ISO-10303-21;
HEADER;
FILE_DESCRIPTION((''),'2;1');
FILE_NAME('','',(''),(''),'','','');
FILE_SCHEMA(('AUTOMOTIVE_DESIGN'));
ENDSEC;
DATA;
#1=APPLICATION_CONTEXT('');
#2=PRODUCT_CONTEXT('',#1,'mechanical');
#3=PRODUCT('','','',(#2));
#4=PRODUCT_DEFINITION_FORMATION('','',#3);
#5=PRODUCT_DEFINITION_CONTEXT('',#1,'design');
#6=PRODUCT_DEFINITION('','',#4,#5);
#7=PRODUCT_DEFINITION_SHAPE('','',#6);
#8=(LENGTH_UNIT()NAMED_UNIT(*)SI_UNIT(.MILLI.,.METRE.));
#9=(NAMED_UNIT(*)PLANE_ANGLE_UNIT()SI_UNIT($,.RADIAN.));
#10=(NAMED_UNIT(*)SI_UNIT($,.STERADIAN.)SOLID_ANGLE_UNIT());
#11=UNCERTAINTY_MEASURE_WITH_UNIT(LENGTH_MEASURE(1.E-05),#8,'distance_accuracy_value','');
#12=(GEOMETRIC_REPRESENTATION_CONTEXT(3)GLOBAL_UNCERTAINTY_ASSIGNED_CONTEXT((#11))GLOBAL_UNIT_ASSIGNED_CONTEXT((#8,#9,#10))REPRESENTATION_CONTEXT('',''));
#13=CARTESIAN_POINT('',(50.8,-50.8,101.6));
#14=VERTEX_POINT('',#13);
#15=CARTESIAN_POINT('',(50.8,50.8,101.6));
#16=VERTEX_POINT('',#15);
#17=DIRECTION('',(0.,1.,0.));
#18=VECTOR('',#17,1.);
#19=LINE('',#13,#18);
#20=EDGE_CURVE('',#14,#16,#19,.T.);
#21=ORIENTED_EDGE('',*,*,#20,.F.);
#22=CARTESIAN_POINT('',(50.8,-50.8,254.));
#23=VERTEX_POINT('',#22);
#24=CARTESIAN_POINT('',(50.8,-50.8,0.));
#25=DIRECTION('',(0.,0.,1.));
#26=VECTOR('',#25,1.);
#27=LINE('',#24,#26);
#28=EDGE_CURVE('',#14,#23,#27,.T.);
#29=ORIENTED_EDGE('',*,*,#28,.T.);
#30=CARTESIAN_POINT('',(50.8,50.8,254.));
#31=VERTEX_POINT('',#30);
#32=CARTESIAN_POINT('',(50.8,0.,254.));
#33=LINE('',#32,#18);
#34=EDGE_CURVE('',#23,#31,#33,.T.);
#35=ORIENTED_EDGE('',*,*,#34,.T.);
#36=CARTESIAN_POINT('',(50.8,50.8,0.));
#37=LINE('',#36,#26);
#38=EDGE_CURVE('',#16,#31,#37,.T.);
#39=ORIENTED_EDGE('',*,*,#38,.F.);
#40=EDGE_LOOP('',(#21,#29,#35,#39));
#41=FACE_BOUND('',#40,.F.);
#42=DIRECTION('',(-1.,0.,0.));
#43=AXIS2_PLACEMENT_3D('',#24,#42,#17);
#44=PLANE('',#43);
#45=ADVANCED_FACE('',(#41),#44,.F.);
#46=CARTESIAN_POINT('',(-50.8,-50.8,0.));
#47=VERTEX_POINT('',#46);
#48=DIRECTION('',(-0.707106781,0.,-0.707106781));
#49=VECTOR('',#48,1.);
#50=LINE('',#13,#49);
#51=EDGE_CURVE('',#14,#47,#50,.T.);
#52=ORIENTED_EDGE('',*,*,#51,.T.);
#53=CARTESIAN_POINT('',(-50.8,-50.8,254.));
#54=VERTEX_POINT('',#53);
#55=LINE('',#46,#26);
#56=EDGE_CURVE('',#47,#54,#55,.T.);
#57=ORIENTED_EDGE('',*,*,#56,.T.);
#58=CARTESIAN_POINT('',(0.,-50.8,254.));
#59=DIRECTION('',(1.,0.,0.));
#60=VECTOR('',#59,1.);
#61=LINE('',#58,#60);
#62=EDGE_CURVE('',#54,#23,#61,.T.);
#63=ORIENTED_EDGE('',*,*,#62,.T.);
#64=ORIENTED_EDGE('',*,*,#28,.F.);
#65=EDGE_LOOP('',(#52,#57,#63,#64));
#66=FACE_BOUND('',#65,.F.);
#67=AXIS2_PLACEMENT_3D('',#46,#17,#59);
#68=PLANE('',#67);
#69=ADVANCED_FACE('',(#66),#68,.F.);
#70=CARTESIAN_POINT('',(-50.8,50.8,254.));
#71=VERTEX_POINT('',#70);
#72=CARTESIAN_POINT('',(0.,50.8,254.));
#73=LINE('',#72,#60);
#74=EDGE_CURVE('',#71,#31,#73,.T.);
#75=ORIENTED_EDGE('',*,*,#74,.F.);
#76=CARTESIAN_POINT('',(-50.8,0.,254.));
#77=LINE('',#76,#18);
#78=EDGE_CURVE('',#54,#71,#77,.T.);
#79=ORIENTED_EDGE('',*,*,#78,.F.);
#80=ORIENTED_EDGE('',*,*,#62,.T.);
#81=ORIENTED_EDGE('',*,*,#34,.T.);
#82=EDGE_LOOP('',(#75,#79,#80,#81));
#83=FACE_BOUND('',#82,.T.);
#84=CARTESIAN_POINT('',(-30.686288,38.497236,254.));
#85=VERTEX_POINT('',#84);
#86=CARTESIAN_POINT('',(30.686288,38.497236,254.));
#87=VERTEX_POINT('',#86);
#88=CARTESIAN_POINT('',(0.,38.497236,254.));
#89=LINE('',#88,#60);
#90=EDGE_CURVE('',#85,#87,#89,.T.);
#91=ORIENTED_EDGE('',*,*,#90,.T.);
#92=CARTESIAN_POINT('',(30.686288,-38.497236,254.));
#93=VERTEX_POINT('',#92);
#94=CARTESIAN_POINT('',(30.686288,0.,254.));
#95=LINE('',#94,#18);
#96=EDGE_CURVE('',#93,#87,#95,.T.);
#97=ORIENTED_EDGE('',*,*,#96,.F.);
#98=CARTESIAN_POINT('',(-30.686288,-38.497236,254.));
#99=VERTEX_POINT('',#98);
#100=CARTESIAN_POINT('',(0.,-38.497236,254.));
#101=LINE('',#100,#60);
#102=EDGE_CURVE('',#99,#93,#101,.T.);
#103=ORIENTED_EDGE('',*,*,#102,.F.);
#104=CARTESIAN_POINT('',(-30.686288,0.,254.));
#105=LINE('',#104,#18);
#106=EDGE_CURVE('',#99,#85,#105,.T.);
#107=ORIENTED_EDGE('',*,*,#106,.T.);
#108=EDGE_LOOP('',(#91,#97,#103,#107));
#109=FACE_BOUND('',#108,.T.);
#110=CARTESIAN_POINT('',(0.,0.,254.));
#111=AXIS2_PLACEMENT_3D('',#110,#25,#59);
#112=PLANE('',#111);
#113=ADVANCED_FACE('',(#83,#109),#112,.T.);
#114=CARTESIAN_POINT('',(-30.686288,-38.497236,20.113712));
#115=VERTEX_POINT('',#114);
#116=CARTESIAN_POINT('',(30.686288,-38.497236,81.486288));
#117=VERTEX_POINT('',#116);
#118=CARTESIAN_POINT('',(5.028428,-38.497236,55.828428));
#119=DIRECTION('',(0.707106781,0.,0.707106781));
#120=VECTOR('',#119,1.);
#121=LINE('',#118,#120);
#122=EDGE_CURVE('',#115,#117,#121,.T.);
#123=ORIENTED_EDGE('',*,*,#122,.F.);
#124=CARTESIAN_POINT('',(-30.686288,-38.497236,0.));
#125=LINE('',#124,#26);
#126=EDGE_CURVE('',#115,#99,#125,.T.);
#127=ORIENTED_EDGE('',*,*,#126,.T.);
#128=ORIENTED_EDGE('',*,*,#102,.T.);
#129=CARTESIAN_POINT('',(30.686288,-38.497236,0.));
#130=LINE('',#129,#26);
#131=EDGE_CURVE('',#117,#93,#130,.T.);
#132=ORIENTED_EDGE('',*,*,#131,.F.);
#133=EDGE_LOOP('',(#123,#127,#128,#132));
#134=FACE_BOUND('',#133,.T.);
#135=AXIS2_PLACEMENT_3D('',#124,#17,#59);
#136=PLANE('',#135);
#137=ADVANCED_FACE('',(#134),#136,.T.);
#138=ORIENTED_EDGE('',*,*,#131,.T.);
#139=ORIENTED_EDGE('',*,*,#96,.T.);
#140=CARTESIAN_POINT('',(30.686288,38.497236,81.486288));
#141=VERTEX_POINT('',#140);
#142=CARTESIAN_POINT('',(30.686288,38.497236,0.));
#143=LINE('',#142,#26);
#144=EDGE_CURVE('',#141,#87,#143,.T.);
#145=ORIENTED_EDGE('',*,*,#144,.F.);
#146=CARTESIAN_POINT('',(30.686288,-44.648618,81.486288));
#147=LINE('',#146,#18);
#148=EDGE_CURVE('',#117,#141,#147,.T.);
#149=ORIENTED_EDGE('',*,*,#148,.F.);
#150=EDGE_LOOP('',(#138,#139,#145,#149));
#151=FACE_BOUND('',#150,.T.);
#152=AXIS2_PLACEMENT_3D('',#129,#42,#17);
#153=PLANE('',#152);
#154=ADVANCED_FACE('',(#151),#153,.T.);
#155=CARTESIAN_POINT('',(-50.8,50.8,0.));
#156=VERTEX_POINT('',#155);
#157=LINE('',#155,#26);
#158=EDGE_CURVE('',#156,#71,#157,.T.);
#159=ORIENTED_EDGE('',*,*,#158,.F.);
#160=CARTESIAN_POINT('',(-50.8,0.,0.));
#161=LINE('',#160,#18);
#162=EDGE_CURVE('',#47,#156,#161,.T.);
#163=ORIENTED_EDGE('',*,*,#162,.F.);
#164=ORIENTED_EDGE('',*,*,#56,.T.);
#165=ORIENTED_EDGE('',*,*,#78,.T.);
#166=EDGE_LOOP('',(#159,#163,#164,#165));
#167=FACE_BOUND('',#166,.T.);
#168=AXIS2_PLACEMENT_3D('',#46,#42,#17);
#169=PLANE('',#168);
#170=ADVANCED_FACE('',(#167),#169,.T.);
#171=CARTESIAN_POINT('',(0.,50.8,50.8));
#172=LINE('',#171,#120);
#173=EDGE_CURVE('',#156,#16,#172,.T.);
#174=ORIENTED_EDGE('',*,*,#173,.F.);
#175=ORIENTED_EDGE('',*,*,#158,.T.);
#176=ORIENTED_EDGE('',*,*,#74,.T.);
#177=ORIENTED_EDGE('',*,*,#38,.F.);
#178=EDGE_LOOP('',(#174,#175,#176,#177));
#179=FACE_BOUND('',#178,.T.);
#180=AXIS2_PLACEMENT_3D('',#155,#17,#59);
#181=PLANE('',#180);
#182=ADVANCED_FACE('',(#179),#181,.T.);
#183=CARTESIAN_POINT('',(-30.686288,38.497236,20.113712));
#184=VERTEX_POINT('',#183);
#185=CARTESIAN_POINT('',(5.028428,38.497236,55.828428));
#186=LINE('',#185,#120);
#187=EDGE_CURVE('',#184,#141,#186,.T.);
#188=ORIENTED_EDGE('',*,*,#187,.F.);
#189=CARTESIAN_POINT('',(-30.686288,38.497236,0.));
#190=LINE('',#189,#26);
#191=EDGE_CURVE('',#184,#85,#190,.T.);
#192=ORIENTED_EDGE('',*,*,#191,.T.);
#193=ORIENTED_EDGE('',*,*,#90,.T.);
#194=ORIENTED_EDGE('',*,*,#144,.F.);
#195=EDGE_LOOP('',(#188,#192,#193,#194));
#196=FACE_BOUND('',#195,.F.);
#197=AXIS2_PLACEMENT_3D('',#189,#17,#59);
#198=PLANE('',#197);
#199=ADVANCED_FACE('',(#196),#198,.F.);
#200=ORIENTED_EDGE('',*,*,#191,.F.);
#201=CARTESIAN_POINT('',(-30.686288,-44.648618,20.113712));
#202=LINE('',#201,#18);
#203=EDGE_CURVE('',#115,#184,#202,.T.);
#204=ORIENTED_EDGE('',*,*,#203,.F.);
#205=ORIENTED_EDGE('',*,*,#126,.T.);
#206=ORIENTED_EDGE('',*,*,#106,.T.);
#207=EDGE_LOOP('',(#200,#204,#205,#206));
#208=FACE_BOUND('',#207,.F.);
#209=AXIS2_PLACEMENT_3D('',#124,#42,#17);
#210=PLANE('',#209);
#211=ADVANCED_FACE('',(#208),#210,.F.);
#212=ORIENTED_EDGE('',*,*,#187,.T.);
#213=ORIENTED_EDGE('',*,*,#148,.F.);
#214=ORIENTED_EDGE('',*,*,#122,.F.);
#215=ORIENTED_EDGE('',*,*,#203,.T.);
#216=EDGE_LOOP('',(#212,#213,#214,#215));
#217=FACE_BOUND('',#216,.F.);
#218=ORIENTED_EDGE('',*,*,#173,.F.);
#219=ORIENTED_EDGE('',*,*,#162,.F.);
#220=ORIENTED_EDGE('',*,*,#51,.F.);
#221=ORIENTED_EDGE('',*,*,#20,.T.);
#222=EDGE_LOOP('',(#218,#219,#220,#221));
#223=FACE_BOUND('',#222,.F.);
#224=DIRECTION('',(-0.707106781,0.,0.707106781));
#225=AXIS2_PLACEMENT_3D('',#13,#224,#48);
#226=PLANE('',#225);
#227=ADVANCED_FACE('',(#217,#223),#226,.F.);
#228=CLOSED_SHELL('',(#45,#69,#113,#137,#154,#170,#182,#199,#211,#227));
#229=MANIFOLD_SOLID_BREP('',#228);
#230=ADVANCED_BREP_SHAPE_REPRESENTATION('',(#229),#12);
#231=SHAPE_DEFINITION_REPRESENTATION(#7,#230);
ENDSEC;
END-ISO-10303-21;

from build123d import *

# Parameters (mm, degrees)
F0_W      = 50.8
F0_H      = 50.8
F0_W_2    = 47.625
F0_H_2    = 47.625
F1_DEPTH  = 508
F3_DEPTH  = 50.801
F5_DEPTH  = 50.801
F7_W      = 101.6
F7_H      = 101.6
F7_W_2    = 61.3725754684
F7_H_2    = 76.9944727293
F8_DEPTH  = 254
F10_DEPTH = 101.601


with BuildPart() as f1:
    # F0 (on Top) → F1 (new body)
    with BuildSketch(Plane.XY):
        Rectangle(F0_W, F0_H)
        Rectangle(F0_W_2, F0_H_2, mode=Mode.SUBTRACT)
    extrude(amount=F1_DEPTH)

    # F2 (on face) → F3 (cut, through all)
    with BuildSketch(Plane.XZ.offset(25.4)):
        Polygon((25.4, 46.0020601749), (-25.4, 0), (25.4, 0), align=None)
    extrude(amount=-F3_DEPTH, mode=Mode.SUBTRACT)

    # F4 (on face) → F5 (cut, through all)
    with BuildSketch(Plane.XZ.offset(25.4)):
        Polygon((25.4, 508), (-25.4, 508), (25.4, 469.4332480431), align=None)
    extrude(amount=-F5_DEPTH, mode=Mode.SUBTRACT)


with BuildPart() as f8:
    # F7 (on Top) → F8 (new body)
    with BuildSketch(Plane.XY):
        Rectangle(F7_W, F7_H)
        Rectangle(F7_W_2, F7_H_2, mode=Mode.SUBTRACT)
    extrude(amount=F8_DEPTH)

    # F9 (on face) → F10 (cut, through all)
    with BuildSketch(Plane.XZ.offset(50.8)):
        Polygon((50.8, 101.6), (-50.8, 0), (50.8, 0), align=None)
    extrude(amount=-F10_DEPTH, mode=Mode.SUBTRACT)


solid = f8.part
